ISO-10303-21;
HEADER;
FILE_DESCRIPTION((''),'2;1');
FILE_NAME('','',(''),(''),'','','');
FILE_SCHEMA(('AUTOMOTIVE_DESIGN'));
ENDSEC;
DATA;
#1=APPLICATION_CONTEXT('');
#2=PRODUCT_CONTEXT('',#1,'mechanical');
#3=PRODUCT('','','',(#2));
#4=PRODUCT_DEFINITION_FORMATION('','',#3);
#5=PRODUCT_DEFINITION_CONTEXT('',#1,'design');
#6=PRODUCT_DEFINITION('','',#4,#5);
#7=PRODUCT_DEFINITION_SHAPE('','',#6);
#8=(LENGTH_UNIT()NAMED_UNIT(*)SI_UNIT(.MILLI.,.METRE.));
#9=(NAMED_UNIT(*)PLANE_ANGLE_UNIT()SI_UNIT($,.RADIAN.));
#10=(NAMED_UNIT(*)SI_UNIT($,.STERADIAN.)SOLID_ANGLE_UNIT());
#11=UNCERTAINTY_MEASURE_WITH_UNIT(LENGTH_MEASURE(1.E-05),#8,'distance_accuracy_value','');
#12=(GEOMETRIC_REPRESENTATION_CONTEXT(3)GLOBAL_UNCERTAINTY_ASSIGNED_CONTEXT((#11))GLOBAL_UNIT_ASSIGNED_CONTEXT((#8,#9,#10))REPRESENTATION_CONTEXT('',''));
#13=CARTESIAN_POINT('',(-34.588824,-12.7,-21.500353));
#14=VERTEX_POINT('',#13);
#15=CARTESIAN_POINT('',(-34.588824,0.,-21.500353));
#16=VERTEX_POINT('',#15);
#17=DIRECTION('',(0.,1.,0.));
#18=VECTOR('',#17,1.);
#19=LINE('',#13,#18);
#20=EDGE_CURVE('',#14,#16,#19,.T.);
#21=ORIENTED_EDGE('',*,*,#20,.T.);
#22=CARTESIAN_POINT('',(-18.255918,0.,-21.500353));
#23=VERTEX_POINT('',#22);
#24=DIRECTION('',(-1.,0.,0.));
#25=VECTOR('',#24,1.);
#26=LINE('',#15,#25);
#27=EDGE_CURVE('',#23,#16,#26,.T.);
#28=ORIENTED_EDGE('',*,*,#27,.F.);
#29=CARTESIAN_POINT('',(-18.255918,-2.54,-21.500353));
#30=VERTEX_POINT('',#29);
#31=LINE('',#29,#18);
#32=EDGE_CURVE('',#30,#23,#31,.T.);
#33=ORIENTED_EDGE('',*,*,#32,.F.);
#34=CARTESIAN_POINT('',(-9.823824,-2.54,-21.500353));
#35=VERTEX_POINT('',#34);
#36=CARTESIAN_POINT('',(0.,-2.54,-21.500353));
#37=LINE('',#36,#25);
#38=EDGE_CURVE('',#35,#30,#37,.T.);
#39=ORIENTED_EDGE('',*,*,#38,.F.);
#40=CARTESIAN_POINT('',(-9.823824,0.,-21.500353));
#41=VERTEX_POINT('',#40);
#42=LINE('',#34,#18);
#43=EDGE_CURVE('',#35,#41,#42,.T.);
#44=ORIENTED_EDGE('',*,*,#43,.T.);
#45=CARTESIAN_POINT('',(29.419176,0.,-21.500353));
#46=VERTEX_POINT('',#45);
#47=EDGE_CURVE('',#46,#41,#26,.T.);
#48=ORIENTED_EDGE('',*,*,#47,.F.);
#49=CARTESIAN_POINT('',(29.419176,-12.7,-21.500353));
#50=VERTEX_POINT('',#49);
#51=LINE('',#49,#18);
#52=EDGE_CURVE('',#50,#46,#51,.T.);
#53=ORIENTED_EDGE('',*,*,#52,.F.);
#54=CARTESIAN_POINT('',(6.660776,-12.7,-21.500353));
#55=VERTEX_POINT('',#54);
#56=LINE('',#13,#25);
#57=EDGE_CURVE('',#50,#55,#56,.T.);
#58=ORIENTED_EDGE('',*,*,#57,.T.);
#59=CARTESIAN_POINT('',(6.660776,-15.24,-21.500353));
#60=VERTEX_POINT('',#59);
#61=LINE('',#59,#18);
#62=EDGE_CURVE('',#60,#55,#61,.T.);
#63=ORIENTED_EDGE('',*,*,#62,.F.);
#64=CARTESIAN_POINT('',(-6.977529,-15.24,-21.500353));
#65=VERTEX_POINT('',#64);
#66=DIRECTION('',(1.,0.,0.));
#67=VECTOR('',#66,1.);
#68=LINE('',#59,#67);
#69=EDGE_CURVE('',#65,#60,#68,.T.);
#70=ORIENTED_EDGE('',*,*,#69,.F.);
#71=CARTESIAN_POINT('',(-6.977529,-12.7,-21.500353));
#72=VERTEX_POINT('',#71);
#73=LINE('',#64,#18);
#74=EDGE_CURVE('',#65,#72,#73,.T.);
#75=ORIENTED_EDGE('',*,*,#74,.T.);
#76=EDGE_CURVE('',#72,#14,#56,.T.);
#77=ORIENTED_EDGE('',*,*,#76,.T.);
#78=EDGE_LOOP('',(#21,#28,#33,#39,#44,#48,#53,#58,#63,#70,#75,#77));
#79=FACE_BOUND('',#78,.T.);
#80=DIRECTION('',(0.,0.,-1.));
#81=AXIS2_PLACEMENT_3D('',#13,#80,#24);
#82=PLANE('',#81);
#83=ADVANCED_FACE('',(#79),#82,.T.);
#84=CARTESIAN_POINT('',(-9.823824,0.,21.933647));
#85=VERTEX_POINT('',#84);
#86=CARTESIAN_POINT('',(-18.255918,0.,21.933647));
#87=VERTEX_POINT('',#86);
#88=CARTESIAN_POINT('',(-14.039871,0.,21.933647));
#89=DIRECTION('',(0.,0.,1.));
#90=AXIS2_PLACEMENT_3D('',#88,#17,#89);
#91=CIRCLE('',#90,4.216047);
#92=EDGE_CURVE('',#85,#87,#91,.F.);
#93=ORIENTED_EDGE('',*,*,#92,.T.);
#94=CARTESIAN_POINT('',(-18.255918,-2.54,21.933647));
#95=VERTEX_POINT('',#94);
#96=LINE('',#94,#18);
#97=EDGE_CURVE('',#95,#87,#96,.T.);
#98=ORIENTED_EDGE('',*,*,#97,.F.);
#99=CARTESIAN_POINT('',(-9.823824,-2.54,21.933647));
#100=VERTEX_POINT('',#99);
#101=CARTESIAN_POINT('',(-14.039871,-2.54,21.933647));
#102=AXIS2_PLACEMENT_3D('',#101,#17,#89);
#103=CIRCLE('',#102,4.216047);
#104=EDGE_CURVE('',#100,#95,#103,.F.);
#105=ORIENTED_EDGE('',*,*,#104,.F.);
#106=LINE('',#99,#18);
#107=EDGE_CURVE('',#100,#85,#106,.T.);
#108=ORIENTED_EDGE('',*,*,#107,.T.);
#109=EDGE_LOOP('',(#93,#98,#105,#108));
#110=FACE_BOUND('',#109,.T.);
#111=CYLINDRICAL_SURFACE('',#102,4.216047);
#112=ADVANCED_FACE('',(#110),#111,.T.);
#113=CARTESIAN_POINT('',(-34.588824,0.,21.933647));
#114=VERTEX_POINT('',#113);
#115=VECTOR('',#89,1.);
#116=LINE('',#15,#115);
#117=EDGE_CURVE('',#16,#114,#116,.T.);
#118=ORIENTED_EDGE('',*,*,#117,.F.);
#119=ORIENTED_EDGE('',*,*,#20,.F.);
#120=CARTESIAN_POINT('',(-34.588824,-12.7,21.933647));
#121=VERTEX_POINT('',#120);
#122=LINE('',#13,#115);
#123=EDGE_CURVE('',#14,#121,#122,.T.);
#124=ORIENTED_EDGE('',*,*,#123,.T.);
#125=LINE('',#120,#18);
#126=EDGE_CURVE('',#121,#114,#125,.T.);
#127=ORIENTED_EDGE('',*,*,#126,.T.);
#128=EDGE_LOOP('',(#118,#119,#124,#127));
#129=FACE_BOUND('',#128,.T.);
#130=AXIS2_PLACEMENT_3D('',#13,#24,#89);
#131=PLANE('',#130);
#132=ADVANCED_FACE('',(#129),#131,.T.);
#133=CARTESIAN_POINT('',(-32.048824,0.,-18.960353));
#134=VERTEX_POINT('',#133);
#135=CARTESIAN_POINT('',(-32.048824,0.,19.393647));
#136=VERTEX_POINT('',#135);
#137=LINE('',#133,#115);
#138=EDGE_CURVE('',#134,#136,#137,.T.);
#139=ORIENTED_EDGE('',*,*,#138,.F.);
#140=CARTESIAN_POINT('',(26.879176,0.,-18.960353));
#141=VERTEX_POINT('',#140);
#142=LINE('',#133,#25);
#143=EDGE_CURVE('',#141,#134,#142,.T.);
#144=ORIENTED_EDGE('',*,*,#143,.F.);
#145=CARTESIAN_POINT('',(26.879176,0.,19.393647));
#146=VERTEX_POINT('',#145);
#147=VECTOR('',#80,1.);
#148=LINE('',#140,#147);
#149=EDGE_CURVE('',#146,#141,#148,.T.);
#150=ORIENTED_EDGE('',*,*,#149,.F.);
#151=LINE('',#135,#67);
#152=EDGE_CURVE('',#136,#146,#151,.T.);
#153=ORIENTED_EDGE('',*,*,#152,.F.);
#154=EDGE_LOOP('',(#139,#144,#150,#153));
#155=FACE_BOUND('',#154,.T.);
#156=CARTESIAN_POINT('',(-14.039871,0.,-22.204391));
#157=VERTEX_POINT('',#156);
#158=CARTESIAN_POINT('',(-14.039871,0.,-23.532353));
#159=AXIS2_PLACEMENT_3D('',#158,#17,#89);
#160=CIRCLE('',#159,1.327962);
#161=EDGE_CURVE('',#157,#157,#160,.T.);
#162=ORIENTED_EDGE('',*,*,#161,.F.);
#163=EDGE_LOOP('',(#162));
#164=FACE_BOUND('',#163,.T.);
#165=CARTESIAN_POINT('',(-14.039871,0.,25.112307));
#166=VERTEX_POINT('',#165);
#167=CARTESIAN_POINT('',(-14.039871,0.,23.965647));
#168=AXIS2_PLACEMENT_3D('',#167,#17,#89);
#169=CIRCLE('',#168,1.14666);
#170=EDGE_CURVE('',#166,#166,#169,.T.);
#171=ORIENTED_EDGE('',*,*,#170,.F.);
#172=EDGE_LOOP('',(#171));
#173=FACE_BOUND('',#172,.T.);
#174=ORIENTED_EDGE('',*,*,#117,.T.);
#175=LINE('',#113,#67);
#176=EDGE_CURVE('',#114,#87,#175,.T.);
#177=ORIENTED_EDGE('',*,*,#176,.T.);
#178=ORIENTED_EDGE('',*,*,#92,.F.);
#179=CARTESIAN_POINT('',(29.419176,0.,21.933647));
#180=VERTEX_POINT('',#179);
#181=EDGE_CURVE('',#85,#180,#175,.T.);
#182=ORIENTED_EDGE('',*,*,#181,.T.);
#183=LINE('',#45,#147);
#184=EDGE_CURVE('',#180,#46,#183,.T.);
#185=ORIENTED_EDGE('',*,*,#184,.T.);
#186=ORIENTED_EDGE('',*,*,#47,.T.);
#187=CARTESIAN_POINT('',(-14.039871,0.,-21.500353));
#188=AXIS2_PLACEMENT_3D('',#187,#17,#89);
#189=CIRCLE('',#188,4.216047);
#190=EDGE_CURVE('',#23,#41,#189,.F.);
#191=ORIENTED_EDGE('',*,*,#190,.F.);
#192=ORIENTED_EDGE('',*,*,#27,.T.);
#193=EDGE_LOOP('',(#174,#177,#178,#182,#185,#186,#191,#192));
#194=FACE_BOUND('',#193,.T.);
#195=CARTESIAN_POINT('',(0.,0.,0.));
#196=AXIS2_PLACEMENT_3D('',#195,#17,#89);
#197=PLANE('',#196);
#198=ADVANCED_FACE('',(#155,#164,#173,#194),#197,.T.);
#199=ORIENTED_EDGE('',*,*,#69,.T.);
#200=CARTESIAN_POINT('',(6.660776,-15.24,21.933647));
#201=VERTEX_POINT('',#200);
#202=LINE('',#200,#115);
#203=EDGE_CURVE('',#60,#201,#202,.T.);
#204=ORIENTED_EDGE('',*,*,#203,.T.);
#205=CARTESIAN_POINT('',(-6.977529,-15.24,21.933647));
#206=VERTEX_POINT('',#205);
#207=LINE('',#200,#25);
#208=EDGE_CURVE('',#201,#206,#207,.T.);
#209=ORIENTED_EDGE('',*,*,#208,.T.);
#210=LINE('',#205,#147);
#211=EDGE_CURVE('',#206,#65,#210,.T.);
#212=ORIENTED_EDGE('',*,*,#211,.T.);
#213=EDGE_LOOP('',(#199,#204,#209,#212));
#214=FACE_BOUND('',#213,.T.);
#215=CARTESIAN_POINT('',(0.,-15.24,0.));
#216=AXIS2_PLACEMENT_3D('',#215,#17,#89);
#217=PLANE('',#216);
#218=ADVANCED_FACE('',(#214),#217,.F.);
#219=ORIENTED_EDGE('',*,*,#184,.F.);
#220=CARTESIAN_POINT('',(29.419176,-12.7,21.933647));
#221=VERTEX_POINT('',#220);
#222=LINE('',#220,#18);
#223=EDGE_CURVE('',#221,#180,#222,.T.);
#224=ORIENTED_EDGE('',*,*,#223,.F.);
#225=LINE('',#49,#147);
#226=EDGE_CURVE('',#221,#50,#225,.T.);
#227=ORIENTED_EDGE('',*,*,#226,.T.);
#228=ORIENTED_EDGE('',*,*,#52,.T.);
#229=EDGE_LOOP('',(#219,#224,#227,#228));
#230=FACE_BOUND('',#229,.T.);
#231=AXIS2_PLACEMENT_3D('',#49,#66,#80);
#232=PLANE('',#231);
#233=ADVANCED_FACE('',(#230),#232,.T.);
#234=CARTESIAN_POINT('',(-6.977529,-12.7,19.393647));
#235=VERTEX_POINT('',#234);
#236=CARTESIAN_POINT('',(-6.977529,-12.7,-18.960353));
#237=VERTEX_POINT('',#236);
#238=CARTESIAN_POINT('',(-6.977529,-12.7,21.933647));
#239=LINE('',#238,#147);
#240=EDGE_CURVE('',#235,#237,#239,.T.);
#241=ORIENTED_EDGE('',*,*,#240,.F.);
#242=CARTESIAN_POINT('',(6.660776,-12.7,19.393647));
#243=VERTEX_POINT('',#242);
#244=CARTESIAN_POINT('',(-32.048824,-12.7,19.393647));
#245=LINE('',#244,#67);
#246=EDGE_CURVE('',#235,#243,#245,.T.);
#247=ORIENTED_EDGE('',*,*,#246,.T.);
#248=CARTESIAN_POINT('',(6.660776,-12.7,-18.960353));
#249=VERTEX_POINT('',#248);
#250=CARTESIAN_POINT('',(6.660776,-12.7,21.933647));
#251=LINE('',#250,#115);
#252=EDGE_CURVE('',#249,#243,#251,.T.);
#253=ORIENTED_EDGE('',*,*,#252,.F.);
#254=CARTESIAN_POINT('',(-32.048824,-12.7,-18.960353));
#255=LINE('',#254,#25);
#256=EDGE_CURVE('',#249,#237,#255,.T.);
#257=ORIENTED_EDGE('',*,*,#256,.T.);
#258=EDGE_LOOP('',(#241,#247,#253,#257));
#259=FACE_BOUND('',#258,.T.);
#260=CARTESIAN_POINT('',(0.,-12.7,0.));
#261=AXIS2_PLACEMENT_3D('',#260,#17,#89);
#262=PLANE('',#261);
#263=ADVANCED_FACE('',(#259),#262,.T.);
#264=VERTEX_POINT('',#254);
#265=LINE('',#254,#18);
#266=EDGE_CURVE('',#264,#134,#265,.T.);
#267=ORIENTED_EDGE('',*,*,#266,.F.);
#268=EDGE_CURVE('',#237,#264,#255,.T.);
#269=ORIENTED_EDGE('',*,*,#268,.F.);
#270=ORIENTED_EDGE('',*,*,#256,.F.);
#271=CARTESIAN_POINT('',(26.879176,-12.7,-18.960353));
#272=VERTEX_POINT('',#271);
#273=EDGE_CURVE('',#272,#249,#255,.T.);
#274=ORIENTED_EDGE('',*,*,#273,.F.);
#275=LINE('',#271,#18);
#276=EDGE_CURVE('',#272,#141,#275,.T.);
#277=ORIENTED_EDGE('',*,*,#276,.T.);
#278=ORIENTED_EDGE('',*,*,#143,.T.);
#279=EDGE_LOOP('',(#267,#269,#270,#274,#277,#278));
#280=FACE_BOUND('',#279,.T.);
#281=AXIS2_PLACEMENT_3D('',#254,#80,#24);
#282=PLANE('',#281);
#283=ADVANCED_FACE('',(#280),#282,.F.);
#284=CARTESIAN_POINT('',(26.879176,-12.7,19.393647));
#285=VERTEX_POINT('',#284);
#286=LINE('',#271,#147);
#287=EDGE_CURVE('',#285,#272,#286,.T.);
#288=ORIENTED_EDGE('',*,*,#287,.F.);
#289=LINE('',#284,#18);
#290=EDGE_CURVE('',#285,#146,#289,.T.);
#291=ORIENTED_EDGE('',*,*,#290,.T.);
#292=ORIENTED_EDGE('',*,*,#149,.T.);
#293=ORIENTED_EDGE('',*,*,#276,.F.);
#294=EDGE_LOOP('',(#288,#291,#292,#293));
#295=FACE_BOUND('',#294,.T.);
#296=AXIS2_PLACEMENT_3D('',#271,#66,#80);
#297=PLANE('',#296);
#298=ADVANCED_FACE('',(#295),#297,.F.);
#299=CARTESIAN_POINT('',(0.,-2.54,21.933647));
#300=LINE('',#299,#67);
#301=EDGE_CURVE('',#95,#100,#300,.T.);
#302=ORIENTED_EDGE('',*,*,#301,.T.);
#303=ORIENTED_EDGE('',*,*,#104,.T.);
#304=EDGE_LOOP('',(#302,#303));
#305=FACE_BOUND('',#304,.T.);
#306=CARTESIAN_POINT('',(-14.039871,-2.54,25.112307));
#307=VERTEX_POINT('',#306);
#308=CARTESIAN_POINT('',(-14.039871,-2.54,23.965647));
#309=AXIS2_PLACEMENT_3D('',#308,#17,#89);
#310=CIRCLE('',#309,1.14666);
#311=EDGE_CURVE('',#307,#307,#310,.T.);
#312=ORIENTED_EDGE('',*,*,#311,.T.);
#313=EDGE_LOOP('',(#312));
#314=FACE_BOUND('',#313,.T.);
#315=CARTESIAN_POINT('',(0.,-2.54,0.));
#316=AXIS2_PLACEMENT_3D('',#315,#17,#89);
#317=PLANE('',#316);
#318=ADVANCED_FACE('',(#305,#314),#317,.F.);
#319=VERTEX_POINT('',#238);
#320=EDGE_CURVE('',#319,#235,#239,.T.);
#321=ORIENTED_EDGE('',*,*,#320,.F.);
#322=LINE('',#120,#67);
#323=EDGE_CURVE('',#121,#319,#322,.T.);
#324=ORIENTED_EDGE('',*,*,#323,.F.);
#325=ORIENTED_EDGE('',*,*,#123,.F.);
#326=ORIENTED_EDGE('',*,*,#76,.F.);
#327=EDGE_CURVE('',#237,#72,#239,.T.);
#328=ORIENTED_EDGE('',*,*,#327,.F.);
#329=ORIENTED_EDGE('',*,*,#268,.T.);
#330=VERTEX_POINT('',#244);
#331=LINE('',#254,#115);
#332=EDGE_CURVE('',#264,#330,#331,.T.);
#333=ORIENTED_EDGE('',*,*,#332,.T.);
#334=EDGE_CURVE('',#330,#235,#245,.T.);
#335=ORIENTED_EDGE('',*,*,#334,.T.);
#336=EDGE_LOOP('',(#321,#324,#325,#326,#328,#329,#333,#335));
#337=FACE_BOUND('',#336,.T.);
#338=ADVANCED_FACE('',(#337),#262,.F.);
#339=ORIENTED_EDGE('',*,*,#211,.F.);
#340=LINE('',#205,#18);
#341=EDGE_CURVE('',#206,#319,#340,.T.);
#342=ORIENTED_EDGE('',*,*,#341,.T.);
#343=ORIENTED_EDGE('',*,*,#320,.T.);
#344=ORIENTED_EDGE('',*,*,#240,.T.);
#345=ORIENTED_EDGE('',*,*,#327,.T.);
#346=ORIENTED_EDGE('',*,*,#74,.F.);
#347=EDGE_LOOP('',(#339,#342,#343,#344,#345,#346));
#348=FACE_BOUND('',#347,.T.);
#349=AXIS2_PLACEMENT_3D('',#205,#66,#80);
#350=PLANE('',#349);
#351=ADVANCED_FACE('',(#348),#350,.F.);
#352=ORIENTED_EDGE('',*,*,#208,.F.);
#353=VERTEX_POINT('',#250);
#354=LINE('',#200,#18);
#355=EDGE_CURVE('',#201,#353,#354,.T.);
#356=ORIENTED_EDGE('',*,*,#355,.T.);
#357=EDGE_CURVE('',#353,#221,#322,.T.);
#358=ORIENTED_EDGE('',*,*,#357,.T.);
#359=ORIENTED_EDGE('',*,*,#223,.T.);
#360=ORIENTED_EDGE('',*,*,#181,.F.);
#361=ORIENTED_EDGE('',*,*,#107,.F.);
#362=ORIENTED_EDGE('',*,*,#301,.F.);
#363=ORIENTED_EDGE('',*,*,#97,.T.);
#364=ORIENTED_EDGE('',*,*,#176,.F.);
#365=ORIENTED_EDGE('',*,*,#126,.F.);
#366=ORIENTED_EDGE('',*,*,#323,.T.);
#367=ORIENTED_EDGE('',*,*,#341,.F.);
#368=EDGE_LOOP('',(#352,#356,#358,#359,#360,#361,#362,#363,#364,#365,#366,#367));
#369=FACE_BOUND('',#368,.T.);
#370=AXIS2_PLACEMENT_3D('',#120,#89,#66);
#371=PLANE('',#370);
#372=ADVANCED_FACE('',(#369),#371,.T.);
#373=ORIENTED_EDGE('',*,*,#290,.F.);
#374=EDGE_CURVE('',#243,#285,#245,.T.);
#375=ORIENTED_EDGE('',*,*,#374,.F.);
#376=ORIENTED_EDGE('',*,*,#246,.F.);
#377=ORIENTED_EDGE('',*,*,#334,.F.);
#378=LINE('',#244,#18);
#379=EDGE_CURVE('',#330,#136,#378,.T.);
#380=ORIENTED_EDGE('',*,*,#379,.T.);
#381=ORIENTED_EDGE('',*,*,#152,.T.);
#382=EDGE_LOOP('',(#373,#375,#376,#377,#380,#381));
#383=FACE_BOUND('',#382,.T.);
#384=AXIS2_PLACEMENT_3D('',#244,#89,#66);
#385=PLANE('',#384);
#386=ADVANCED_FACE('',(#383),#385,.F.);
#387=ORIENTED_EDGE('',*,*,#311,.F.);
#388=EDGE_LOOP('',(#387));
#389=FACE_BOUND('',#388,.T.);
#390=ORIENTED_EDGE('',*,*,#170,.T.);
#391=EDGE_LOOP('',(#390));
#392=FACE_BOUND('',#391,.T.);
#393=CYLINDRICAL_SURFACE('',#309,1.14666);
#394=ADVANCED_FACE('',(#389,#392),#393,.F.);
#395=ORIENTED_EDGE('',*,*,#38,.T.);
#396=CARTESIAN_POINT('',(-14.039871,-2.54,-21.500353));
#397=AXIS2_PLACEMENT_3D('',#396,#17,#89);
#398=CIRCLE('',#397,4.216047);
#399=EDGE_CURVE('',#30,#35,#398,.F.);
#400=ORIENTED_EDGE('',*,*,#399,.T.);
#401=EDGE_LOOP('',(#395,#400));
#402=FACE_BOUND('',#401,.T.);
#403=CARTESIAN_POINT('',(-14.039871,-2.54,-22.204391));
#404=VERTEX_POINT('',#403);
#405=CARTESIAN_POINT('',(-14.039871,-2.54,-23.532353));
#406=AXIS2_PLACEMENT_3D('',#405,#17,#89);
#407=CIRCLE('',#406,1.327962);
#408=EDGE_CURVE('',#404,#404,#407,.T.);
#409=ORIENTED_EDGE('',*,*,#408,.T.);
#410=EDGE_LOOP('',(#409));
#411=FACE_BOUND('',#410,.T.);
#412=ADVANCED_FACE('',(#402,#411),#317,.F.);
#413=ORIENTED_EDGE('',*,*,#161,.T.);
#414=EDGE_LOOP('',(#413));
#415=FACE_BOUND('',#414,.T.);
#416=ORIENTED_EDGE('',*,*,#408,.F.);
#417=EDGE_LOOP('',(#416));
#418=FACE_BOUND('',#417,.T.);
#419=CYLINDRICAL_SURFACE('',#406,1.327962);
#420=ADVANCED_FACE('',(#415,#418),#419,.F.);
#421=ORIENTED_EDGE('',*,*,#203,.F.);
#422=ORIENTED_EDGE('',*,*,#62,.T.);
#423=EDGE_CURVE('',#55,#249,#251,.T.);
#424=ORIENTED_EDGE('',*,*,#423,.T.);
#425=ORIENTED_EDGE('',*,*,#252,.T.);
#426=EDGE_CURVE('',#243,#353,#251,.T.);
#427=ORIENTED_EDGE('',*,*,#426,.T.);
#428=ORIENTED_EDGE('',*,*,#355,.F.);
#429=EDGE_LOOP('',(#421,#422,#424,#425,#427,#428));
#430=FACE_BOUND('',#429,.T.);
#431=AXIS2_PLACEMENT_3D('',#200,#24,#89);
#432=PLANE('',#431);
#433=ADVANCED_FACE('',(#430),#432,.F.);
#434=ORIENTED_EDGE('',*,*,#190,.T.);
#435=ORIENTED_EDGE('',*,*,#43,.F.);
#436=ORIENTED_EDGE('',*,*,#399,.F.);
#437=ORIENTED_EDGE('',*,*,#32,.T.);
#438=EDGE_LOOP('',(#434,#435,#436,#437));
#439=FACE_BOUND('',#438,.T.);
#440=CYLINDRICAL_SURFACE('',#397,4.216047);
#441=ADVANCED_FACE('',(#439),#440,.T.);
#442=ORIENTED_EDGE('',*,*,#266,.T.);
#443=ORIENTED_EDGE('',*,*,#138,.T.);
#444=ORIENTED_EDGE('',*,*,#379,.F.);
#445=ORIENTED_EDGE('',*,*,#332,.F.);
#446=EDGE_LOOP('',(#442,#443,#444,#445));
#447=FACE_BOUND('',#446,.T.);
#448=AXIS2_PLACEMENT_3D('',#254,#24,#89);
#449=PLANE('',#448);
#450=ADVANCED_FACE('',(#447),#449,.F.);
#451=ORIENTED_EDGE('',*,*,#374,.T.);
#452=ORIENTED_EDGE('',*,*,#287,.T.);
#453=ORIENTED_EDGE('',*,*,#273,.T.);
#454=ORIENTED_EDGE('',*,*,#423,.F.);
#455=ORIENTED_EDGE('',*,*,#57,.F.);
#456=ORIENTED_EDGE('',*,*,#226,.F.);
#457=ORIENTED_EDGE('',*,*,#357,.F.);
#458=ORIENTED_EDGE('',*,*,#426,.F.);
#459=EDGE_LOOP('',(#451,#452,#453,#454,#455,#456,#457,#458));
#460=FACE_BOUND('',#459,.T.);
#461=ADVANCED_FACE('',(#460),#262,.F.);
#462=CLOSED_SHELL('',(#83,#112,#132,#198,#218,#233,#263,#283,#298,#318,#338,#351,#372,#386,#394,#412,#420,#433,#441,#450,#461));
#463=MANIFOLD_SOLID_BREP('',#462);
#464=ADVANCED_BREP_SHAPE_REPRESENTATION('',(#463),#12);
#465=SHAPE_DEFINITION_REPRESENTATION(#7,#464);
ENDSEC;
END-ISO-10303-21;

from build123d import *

# Parameters (mm, degrees)
SKETCH1_W           = 64.008
SKETCH1_H           = 43.434
SKETCH1_W_2         = 58.928
SKETCH1_H_2         = 38.354
BOSS_EXTRUDE1_DEPTH = 12.7
SKETCH2_W           = 13.638305883
SKETCH2_H           = 43.434
BOSS_EXTRUDE2_DEPTH = 2.54
SKETCH3_R           = 1.327962253
SKETCH3_R_2         = 1.146659907
BOSS_EXTRUDE3_DEPTH = 2.54


with BuildPart() as part:
    # Sketch1 → Boss-Extrude1 (new body)
    with BuildSketch(Plane(origin=(0, 0, 0), x_dir=(1, 0, 0), z_dir=(0, 1, 0))):
        with Locations((-2.584823529, -0.216647059)):
            Rectangle(SKETCH1_W, SKETCH1_H)
        with Locations((-2.584823529, -0.216647059)):
            Rectangle(SKETCH1_W_2, SKETCH1_H_2, mode=Mode.SUBTRACT)
    extrude(amount=-BOSS_EXTRUDE1_DEPTH)

    # Sketch2 → Boss-Extrude2 (add)
    with BuildSketch(Plane.XZ.offset(12.7)):
        with Locations((-0.158376471, 0.216647059)):
            Rectangle(SKETCH2_W, SKETCH2_H)
    extrude(amount=BOSS_EXTRUDE2_DEPTH)

    # Sketch3 → Boss-Extrude3 (add)
    # profile 1 of 2: a face of its own
    with BuildSketch(Plane(origin=(0, 0, 0), x_dir=(1, 0, 0), z_dir=(0, 1, 0))):
        with BuildLine():
            ThreePointArc((-9.823823529, 21.500352941), (-14.039870548, 25.716399959), (-18.255917566, 21.500352941))
            Line((-18.255917566, 21.500352941), (-9.823823529, 21.500352941))
        make_face()
        with Locations(Location((-14.039870548, 23.532352941, 0), (0, 0, 270))):
            Circle(SKETCH3_R, mode=Mode.SUBTRACT)
    # profile 2 of 2: a face of its own
    with BuildSketch(Plane(origin=(0, 0, 0), x_dir=(1, 0, 0), z_dir=(0, 1, 0))):
        with BuildLine():
            ThreePointArc((-18.255917566, -21.933647059), (-14.039870548, -26.149694077), (-9.823823529, -21.933647059))
            Line((-9.823823529, -21.933647059), (-18.255917566, -21.933647059))
        make_face()
        with Locations(Location((-14.039870548, -23.965647059, 0), (0, 0, 270))):
            Circle(SKETCH3_R_2, mode=Mode.SUBTRACT)
    extrude(amount=-BOSS_EXTRUDE3_DEPTH)


solid = part.part
